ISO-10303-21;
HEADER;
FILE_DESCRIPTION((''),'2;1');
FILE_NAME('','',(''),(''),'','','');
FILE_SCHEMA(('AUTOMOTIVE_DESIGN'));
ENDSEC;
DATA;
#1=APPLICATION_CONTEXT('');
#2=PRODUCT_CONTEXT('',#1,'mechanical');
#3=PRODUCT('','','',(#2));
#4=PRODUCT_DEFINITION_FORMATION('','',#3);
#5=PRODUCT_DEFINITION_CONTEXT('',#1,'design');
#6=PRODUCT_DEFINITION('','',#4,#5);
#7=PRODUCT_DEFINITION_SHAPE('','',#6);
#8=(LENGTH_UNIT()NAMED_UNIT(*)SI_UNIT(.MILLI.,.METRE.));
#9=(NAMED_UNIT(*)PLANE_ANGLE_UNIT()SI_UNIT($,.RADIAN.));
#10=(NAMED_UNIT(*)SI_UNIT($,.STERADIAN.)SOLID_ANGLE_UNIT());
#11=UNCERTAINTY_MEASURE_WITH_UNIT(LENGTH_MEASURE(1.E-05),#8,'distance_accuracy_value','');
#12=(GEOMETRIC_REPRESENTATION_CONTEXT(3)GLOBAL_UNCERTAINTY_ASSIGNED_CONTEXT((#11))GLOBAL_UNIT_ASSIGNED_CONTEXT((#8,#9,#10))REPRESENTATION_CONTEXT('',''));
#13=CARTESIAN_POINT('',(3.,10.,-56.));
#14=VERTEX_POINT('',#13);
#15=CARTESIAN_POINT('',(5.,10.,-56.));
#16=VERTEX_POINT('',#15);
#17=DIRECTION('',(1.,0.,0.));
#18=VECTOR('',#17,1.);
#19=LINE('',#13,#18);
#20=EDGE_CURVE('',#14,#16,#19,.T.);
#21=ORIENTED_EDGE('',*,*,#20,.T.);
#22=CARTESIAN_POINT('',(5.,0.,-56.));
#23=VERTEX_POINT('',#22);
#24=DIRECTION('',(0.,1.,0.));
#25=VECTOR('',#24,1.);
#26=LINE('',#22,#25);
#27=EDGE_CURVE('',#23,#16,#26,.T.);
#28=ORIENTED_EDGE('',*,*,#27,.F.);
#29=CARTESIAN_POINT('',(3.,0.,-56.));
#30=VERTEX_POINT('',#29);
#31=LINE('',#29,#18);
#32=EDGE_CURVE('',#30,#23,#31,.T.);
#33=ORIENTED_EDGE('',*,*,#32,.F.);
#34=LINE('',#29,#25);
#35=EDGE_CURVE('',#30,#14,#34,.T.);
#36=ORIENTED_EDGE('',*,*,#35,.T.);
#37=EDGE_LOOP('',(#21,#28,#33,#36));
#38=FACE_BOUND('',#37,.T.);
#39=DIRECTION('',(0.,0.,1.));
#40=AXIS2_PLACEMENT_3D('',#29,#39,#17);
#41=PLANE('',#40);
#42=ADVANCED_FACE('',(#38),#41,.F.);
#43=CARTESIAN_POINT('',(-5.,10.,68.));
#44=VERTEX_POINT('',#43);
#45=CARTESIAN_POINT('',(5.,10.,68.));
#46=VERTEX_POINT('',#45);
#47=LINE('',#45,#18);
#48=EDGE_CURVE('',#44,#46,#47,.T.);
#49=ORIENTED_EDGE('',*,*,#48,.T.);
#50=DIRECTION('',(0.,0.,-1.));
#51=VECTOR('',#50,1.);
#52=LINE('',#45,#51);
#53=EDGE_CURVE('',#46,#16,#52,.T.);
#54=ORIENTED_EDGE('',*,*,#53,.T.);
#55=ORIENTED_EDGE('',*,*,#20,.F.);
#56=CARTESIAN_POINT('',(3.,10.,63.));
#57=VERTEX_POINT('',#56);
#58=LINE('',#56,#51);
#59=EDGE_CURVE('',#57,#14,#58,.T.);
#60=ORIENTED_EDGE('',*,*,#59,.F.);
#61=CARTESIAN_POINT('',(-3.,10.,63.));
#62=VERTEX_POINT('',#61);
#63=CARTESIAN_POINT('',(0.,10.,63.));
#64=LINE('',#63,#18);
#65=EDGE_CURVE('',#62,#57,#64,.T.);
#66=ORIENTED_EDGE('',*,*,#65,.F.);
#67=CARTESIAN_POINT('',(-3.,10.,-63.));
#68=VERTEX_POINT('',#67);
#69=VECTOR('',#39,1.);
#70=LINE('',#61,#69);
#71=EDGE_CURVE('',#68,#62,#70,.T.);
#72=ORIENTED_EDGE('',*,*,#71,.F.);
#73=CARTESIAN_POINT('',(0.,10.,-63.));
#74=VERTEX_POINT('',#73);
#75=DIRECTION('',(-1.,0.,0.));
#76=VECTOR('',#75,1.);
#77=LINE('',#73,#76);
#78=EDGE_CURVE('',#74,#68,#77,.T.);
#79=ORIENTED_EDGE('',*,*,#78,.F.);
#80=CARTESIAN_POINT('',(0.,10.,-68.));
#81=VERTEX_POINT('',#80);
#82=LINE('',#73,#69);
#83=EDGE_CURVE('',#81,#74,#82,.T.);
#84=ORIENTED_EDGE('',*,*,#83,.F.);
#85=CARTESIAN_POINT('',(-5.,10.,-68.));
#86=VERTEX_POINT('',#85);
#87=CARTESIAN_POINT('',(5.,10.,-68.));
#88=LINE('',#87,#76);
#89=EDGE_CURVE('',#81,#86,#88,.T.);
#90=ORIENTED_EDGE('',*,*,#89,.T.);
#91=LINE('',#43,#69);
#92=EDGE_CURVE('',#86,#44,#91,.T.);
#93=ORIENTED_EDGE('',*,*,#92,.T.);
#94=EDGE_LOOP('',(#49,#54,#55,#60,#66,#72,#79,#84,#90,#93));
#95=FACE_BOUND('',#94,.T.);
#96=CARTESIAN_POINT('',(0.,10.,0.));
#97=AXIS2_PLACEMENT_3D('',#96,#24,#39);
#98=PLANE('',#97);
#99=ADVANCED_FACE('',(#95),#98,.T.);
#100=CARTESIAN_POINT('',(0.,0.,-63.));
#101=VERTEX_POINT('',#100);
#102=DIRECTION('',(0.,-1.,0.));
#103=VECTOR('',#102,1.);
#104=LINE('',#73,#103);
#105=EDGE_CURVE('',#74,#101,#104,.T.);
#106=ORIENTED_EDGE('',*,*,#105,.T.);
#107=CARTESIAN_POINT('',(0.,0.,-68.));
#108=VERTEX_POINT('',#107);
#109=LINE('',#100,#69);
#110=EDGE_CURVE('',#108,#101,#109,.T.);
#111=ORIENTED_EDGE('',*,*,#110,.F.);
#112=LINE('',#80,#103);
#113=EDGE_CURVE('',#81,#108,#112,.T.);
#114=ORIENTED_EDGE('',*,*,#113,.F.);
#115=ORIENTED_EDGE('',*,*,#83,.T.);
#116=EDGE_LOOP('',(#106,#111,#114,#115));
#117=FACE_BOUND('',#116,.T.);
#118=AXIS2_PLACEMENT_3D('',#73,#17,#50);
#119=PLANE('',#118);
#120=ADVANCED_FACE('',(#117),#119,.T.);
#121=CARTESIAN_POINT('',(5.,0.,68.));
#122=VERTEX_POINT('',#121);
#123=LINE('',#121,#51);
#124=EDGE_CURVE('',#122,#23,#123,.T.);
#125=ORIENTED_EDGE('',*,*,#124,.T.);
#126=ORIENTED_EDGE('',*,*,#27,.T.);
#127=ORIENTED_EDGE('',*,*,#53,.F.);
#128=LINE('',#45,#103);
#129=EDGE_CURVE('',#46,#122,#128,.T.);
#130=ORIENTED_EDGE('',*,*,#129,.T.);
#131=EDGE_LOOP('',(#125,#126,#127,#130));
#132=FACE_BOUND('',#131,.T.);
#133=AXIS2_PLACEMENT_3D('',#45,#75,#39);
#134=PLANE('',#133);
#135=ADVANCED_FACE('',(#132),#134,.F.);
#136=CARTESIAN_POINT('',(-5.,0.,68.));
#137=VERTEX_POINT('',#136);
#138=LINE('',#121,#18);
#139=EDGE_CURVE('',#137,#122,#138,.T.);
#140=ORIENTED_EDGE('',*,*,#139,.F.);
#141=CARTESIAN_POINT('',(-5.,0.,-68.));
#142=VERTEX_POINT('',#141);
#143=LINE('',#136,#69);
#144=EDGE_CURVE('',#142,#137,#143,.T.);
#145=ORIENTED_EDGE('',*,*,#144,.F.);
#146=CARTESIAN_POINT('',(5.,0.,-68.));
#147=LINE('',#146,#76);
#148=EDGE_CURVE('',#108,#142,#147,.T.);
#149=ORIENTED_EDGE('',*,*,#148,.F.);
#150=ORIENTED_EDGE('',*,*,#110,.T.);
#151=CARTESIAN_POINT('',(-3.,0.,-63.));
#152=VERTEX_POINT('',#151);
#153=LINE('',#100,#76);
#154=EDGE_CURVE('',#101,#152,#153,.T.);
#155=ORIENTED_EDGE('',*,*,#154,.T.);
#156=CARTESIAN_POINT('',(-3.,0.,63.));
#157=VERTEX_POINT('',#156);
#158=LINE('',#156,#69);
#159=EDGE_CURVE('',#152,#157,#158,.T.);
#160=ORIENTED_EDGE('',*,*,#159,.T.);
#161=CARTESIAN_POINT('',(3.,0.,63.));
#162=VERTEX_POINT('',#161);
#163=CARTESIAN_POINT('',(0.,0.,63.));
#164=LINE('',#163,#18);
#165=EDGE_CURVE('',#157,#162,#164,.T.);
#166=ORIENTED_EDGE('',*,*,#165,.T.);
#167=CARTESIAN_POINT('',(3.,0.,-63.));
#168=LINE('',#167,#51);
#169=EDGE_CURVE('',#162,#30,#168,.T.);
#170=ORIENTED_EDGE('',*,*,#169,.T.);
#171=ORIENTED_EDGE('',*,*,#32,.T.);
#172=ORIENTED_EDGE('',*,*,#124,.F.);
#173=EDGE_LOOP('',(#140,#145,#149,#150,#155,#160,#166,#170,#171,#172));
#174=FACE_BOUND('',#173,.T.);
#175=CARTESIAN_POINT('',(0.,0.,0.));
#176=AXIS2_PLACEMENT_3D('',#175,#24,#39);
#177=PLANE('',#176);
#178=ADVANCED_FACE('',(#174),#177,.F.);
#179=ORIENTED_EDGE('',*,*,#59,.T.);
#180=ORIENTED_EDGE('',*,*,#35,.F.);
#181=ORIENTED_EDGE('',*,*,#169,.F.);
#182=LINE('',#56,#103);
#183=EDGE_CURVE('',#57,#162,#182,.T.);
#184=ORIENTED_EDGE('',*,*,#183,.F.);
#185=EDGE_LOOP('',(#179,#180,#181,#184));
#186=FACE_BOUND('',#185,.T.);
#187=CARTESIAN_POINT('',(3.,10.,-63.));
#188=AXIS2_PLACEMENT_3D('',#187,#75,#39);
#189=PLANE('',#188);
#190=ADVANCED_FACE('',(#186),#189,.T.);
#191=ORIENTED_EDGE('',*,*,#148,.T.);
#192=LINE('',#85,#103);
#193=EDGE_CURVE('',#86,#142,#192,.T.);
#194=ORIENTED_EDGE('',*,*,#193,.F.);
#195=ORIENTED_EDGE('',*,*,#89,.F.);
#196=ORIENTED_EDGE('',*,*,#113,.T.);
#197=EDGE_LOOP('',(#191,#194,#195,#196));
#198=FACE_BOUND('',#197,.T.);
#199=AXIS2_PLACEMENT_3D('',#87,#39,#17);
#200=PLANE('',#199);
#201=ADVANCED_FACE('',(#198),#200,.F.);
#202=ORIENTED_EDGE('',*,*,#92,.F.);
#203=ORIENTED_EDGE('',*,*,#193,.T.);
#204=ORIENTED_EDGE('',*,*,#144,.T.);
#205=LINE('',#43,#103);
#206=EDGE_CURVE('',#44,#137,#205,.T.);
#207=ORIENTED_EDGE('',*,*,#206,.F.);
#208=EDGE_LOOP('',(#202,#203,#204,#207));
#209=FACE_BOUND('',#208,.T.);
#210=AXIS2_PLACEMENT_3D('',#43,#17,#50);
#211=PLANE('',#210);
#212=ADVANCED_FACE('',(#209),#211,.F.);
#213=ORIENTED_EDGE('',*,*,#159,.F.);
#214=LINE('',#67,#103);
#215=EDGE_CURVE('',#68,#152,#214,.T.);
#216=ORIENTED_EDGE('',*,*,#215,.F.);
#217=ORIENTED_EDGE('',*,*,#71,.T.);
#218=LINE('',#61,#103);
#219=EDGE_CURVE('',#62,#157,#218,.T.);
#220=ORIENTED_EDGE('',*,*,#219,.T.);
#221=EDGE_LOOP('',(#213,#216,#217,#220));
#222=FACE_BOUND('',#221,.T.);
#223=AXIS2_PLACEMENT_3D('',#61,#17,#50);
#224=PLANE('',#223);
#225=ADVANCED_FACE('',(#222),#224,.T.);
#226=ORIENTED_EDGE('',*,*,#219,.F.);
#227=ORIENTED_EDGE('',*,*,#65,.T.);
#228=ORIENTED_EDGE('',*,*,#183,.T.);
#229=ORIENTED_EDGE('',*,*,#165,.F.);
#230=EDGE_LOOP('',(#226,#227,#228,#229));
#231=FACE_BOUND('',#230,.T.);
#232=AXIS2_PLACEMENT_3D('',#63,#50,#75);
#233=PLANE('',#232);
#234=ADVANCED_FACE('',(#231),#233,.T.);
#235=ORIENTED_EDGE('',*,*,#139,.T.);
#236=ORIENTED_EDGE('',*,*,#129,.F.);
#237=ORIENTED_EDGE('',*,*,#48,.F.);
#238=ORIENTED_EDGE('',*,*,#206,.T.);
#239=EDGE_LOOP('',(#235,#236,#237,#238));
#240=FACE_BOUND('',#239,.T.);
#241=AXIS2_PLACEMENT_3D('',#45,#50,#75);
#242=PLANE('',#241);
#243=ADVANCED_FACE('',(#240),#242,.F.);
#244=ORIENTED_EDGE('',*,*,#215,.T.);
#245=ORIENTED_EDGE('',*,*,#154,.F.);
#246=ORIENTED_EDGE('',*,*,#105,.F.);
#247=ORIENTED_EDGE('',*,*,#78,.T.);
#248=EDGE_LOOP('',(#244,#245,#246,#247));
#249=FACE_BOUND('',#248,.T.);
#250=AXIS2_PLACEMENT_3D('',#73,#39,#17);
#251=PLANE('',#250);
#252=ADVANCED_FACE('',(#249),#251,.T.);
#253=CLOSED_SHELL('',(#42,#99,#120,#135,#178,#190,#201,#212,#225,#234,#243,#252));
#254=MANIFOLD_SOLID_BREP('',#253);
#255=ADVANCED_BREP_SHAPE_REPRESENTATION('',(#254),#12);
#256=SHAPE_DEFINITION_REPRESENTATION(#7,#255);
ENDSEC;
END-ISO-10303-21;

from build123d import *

# Parameters (mm, degrees)
SKETCH1_W           = 10
SKETCH1_H           = 136
BOSS_EXTRUDE1_DEPTH = 10
CUT_EXTRUDE1_DEPTH  = 10
SKETCH4_W           = 2
SKETCH4_H           = 12
CUT_EXTRUDE3_DEPTH  = 10


with BuildPart() as part:
    # Sketch1 → Boss-Extrude1 (new body)
    with BuildSketch(Plane(origin=(0, 0, 0), x_dir=(1, 0, 0), z_dir=(0, 1, 0))):
        Rectangle(SKETCH1_W, SKETCH1_H)
    extrude(amount=BOSS_EXTRUDE1_DEPTH)

    # Sketch2 → Cut-Extrude1 (cut)
    with BuildSketch(Plane(origin=(0, 0, 0), x_dir=(1, 0, 0), z_dir=(0, 1, 0))):
        Polygon((0, -63), (-3, -63), (-3, 63), (0, 63), (0, 68), (3, 68), (3, 63), (3, -63), align=None)
    extrude(amount=CUT_EXTRUDE1_DEPTH, mode=Mode.SUBTRACT)

    # Sketch4 → Cut-Extrude3 (cut)
    with BuildSketch(Plane(origin=(0, 10, 0), x_dir=(1, 0, 0), z_dir=(0, 1, 0))):
        with Locations((4, 62)):
            Rectangle(SKETCH4_W, SKETCH4_H)
    extrude(amount=-CUT_EXTRUDE3_DEPTH, mode=Mode.SUBTRACT)


solid = part.part
